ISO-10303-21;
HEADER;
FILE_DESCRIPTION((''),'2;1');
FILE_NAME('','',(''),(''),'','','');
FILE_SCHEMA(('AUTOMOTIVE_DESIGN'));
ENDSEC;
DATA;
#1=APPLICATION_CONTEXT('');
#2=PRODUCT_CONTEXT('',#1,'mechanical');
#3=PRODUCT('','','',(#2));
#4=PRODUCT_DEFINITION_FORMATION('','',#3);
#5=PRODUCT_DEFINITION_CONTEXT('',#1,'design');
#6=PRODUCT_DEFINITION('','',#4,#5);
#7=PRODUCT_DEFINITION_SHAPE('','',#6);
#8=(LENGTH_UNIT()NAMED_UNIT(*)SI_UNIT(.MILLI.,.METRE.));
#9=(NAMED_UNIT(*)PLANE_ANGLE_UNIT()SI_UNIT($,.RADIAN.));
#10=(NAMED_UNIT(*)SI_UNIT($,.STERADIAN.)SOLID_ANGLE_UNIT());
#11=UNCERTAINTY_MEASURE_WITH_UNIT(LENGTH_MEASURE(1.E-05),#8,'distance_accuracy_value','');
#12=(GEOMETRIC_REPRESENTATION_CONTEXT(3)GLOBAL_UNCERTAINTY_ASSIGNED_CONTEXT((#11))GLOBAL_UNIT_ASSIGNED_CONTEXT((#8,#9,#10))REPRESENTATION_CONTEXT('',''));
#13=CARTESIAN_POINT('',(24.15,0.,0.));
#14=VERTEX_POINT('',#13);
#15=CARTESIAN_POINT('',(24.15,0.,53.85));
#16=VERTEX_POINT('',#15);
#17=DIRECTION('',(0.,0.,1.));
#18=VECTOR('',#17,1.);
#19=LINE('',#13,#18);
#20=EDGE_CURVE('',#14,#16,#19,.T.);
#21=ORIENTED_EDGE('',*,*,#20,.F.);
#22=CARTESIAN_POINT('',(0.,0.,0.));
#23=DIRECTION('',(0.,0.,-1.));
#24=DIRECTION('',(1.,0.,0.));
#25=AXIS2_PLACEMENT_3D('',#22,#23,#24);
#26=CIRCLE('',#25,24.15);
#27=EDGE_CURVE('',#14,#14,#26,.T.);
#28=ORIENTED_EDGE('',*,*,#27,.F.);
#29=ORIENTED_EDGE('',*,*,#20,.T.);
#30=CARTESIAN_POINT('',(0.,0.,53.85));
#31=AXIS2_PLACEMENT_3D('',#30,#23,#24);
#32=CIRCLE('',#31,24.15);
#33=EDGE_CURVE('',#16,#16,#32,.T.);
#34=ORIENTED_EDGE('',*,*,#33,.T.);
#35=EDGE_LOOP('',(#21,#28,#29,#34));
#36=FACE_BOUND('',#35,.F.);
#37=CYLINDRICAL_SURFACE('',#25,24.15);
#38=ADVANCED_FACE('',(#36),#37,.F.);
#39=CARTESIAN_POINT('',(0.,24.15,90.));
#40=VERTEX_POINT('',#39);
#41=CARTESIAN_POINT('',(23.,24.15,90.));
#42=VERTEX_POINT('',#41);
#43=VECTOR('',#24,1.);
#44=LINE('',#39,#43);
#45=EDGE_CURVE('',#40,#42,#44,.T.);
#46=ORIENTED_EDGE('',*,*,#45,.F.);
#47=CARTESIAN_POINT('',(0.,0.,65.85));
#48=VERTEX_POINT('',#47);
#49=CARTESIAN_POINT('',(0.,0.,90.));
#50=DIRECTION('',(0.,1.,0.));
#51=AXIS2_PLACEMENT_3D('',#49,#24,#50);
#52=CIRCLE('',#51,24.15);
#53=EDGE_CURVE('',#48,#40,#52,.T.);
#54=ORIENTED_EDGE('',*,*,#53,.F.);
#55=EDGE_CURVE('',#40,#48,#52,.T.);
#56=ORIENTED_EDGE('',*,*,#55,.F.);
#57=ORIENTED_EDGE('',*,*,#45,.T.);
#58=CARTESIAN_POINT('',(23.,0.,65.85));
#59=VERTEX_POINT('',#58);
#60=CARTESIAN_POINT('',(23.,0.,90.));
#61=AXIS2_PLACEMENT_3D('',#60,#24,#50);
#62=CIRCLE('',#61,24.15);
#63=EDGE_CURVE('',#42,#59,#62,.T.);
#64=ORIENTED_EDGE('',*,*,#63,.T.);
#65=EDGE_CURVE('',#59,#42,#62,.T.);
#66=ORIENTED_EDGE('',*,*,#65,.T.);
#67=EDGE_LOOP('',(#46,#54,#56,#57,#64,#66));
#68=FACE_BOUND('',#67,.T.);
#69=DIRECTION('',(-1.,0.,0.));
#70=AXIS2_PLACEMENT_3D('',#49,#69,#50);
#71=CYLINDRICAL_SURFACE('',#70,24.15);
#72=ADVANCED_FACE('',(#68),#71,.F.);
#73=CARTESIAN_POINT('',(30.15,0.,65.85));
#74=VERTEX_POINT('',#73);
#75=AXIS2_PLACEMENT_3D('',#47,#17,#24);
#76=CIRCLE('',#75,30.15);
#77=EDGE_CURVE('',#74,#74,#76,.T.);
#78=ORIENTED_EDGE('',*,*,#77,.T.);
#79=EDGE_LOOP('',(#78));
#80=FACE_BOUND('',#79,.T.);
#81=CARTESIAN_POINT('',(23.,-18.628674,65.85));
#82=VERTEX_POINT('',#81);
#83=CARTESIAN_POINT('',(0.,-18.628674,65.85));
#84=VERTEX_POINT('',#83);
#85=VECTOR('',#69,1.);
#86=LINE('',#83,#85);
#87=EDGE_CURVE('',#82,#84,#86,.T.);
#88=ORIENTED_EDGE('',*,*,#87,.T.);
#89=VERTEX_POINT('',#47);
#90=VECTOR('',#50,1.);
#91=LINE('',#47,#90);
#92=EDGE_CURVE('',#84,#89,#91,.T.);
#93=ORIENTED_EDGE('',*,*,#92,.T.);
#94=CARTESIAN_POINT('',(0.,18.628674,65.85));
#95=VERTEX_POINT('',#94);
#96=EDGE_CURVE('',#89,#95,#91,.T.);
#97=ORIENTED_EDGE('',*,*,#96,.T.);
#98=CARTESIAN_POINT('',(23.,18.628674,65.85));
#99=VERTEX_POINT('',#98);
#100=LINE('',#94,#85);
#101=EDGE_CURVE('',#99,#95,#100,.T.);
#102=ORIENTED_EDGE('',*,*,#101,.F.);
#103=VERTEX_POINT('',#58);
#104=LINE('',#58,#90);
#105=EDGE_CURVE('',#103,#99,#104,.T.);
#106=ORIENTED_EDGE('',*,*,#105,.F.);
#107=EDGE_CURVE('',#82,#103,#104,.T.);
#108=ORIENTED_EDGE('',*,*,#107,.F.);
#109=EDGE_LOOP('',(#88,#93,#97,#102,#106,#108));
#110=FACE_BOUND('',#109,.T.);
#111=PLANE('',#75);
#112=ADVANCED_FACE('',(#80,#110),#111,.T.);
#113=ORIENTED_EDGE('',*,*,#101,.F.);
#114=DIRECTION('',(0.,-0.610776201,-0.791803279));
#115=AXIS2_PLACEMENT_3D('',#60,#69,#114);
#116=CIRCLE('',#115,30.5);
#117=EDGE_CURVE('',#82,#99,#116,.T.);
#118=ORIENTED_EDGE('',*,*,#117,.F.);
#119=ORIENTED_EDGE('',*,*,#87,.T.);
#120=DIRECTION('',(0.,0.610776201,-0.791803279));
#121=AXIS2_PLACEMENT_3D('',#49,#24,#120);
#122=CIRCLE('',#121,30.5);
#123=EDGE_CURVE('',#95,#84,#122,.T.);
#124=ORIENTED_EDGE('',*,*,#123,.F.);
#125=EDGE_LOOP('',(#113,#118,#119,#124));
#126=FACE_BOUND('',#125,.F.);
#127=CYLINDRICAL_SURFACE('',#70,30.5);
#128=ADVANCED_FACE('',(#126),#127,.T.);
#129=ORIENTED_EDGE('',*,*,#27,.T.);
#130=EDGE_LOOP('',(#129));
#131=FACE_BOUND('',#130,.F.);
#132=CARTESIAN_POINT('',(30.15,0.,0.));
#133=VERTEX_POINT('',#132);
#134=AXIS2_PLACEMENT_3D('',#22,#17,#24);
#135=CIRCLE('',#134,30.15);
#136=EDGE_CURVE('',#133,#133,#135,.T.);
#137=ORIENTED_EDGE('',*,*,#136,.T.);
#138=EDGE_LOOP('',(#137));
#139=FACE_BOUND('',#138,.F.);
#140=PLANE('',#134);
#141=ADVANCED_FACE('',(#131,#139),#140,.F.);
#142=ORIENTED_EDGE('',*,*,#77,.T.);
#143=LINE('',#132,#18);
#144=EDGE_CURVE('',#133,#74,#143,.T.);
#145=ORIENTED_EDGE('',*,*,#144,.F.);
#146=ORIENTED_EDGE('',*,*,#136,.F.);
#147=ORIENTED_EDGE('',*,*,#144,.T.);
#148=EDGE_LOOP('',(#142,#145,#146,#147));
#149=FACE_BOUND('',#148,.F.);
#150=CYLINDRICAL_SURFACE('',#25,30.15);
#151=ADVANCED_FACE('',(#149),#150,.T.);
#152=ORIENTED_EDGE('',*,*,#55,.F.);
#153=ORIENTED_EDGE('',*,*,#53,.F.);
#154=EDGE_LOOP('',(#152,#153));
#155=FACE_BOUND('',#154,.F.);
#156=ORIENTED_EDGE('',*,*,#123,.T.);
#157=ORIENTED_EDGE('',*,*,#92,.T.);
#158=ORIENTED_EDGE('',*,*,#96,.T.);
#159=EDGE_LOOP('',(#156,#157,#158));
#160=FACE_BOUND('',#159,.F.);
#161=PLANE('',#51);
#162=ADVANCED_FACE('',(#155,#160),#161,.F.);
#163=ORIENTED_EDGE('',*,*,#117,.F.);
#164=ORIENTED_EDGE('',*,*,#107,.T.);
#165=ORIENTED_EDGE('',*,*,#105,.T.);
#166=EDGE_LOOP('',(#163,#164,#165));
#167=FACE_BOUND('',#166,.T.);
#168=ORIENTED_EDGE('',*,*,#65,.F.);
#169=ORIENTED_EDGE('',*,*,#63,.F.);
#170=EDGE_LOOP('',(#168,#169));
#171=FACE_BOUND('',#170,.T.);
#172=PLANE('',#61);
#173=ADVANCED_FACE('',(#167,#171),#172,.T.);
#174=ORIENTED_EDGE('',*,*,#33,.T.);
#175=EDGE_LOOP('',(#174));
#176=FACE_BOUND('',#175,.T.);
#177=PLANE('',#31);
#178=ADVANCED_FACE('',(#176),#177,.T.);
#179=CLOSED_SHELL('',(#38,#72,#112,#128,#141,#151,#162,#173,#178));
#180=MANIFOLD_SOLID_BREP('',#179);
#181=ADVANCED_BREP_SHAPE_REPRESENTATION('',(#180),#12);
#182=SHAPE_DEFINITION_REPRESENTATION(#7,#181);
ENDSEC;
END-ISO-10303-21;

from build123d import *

# Parameters (mm, degrees)
SKETCH001_R   = 30.15
PAD_DEPTH     = 65.85
SKETCH002_R   = 24.15
POCKET_DEPTH  = 53.85
SKETCH003_R   = 30.5
SKETCH003_R_2 = 24.15
PAD001_DEPTH  = 23


with BuildPart() as part:
    # Sketch001 → Pad (new body)
    with BuildSketch(Plane.XY):
        Circle(SKETCH001_R)
    extrude(amount=PAD_DEPTH)

    # Sketch002 (on Face2 of Pad) → Pocket (cut)
    with BuildSketch(Plane(origin=(0, 0, 0), x_dir=(1, 0, 0), z_dir=(0, 0, -1))):
        Circle(SKETCH002_R)
    extrude(amount=-POCKET_DEPTH, mode=Mode.SUBTRACT)

    # Sketch003 → Pad001 (join)
    with BuildSketch(Plane.YZ):
        with Locations((0, 90)):
            Circle(SKETCH003_R)
        with Locations((0, 90)):
            Circle(SKETCH003_R_2, mode=Mode.SUBTRACT)
    extrude(amount=PAD001_DEPTH)


solid = part.part
